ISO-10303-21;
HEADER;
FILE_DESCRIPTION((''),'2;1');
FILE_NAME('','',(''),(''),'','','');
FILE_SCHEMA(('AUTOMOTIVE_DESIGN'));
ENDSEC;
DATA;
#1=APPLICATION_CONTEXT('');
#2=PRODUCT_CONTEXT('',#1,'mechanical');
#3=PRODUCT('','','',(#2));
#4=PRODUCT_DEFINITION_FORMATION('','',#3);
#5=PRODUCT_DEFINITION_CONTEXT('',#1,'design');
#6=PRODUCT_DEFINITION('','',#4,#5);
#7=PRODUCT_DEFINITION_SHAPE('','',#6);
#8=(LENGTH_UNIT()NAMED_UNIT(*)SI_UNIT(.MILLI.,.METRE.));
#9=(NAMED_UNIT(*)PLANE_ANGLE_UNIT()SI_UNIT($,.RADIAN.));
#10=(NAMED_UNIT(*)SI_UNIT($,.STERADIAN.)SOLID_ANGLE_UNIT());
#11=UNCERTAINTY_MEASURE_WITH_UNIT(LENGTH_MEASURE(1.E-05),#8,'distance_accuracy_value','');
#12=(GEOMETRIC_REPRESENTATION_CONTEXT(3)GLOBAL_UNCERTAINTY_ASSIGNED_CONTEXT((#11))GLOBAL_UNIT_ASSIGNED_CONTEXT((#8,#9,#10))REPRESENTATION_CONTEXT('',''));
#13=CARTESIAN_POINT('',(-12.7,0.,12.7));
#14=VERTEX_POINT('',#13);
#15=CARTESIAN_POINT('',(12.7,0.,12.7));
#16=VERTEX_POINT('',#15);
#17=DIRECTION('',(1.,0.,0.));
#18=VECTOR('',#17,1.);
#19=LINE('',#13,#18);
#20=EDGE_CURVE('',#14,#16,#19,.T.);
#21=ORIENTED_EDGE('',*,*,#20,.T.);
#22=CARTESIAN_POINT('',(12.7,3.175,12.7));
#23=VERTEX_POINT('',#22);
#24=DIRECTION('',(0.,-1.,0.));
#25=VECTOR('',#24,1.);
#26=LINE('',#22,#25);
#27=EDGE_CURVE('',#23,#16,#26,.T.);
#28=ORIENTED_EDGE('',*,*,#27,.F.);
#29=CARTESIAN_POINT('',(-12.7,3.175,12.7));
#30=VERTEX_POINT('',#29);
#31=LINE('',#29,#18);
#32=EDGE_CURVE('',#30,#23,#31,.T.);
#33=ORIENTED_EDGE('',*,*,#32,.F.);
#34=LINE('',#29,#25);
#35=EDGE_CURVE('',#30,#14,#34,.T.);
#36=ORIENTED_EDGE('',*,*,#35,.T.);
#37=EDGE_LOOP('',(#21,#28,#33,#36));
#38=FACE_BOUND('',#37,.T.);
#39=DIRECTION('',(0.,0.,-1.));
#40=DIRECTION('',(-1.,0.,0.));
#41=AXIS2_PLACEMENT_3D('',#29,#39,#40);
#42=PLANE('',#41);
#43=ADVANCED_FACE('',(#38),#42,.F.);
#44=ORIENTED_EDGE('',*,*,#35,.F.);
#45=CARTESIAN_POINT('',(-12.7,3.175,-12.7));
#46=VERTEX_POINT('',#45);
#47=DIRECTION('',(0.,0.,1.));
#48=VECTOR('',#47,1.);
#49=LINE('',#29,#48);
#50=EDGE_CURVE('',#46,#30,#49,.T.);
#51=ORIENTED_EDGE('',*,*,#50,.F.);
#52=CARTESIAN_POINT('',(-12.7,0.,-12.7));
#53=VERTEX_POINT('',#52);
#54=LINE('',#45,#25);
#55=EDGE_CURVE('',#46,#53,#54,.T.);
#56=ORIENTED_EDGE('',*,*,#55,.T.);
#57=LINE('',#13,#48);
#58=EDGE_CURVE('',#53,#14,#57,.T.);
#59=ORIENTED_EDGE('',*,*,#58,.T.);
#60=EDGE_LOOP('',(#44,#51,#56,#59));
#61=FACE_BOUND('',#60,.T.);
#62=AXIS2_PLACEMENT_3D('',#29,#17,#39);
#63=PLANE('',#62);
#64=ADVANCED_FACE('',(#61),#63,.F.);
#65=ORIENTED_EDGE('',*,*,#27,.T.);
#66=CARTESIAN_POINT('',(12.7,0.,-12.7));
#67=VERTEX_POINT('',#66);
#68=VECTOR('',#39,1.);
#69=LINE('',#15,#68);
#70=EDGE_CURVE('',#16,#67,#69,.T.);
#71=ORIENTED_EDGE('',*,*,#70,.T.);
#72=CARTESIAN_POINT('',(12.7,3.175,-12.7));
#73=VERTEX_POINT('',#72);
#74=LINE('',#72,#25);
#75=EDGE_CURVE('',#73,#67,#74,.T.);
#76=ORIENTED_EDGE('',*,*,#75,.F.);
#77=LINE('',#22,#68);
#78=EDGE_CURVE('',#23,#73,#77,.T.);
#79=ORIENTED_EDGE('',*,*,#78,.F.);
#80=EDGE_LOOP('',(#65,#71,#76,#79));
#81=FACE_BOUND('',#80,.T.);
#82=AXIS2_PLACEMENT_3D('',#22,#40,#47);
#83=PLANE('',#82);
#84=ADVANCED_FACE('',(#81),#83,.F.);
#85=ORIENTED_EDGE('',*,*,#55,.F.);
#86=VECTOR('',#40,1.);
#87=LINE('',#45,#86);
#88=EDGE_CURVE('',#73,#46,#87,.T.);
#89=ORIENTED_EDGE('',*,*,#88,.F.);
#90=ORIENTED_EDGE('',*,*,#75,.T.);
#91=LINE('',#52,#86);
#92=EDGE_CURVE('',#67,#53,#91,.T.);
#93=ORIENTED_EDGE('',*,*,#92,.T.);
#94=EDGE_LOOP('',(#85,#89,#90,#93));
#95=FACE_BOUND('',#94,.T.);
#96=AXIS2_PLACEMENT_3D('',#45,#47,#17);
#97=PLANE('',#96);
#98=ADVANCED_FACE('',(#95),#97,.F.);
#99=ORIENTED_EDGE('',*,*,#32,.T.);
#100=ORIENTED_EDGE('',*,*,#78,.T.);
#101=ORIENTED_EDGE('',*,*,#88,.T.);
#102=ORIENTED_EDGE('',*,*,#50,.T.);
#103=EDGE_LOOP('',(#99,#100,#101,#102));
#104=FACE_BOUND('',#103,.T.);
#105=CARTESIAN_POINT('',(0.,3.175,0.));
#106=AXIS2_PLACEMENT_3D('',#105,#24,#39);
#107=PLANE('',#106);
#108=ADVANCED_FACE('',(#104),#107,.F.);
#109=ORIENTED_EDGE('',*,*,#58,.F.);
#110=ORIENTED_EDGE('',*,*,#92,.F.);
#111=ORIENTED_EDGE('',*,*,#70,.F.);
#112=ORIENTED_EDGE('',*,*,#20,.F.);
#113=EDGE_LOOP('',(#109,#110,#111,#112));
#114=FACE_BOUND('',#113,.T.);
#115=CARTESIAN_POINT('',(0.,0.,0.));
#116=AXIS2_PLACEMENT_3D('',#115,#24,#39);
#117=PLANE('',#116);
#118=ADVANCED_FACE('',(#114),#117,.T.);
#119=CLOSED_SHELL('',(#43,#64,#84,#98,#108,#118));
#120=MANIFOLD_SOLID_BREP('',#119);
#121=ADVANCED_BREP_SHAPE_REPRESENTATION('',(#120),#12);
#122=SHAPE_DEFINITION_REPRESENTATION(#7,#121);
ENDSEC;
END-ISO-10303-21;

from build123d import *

# Parameters (mm, degrees)
SKETCH1_W           = 25.4
SKETCH1_H           = 25.4
BOSS_EXTRUDE1_DEPTH = 3.175


with BuildPart() as part:
    # Sketch1 → Boss-Extrude1 (new body)
    with BuildSketch(Plane(origin=(0, 0, 0), x_dir=(1, 0, 0), z_dir=(0, 1, 0))):
        Rectangle(SKETCH1_W, SKETCH1_H)
    extrude(amount=BOSS_EXTRUDE1_DEPTH)


solid = part.part
